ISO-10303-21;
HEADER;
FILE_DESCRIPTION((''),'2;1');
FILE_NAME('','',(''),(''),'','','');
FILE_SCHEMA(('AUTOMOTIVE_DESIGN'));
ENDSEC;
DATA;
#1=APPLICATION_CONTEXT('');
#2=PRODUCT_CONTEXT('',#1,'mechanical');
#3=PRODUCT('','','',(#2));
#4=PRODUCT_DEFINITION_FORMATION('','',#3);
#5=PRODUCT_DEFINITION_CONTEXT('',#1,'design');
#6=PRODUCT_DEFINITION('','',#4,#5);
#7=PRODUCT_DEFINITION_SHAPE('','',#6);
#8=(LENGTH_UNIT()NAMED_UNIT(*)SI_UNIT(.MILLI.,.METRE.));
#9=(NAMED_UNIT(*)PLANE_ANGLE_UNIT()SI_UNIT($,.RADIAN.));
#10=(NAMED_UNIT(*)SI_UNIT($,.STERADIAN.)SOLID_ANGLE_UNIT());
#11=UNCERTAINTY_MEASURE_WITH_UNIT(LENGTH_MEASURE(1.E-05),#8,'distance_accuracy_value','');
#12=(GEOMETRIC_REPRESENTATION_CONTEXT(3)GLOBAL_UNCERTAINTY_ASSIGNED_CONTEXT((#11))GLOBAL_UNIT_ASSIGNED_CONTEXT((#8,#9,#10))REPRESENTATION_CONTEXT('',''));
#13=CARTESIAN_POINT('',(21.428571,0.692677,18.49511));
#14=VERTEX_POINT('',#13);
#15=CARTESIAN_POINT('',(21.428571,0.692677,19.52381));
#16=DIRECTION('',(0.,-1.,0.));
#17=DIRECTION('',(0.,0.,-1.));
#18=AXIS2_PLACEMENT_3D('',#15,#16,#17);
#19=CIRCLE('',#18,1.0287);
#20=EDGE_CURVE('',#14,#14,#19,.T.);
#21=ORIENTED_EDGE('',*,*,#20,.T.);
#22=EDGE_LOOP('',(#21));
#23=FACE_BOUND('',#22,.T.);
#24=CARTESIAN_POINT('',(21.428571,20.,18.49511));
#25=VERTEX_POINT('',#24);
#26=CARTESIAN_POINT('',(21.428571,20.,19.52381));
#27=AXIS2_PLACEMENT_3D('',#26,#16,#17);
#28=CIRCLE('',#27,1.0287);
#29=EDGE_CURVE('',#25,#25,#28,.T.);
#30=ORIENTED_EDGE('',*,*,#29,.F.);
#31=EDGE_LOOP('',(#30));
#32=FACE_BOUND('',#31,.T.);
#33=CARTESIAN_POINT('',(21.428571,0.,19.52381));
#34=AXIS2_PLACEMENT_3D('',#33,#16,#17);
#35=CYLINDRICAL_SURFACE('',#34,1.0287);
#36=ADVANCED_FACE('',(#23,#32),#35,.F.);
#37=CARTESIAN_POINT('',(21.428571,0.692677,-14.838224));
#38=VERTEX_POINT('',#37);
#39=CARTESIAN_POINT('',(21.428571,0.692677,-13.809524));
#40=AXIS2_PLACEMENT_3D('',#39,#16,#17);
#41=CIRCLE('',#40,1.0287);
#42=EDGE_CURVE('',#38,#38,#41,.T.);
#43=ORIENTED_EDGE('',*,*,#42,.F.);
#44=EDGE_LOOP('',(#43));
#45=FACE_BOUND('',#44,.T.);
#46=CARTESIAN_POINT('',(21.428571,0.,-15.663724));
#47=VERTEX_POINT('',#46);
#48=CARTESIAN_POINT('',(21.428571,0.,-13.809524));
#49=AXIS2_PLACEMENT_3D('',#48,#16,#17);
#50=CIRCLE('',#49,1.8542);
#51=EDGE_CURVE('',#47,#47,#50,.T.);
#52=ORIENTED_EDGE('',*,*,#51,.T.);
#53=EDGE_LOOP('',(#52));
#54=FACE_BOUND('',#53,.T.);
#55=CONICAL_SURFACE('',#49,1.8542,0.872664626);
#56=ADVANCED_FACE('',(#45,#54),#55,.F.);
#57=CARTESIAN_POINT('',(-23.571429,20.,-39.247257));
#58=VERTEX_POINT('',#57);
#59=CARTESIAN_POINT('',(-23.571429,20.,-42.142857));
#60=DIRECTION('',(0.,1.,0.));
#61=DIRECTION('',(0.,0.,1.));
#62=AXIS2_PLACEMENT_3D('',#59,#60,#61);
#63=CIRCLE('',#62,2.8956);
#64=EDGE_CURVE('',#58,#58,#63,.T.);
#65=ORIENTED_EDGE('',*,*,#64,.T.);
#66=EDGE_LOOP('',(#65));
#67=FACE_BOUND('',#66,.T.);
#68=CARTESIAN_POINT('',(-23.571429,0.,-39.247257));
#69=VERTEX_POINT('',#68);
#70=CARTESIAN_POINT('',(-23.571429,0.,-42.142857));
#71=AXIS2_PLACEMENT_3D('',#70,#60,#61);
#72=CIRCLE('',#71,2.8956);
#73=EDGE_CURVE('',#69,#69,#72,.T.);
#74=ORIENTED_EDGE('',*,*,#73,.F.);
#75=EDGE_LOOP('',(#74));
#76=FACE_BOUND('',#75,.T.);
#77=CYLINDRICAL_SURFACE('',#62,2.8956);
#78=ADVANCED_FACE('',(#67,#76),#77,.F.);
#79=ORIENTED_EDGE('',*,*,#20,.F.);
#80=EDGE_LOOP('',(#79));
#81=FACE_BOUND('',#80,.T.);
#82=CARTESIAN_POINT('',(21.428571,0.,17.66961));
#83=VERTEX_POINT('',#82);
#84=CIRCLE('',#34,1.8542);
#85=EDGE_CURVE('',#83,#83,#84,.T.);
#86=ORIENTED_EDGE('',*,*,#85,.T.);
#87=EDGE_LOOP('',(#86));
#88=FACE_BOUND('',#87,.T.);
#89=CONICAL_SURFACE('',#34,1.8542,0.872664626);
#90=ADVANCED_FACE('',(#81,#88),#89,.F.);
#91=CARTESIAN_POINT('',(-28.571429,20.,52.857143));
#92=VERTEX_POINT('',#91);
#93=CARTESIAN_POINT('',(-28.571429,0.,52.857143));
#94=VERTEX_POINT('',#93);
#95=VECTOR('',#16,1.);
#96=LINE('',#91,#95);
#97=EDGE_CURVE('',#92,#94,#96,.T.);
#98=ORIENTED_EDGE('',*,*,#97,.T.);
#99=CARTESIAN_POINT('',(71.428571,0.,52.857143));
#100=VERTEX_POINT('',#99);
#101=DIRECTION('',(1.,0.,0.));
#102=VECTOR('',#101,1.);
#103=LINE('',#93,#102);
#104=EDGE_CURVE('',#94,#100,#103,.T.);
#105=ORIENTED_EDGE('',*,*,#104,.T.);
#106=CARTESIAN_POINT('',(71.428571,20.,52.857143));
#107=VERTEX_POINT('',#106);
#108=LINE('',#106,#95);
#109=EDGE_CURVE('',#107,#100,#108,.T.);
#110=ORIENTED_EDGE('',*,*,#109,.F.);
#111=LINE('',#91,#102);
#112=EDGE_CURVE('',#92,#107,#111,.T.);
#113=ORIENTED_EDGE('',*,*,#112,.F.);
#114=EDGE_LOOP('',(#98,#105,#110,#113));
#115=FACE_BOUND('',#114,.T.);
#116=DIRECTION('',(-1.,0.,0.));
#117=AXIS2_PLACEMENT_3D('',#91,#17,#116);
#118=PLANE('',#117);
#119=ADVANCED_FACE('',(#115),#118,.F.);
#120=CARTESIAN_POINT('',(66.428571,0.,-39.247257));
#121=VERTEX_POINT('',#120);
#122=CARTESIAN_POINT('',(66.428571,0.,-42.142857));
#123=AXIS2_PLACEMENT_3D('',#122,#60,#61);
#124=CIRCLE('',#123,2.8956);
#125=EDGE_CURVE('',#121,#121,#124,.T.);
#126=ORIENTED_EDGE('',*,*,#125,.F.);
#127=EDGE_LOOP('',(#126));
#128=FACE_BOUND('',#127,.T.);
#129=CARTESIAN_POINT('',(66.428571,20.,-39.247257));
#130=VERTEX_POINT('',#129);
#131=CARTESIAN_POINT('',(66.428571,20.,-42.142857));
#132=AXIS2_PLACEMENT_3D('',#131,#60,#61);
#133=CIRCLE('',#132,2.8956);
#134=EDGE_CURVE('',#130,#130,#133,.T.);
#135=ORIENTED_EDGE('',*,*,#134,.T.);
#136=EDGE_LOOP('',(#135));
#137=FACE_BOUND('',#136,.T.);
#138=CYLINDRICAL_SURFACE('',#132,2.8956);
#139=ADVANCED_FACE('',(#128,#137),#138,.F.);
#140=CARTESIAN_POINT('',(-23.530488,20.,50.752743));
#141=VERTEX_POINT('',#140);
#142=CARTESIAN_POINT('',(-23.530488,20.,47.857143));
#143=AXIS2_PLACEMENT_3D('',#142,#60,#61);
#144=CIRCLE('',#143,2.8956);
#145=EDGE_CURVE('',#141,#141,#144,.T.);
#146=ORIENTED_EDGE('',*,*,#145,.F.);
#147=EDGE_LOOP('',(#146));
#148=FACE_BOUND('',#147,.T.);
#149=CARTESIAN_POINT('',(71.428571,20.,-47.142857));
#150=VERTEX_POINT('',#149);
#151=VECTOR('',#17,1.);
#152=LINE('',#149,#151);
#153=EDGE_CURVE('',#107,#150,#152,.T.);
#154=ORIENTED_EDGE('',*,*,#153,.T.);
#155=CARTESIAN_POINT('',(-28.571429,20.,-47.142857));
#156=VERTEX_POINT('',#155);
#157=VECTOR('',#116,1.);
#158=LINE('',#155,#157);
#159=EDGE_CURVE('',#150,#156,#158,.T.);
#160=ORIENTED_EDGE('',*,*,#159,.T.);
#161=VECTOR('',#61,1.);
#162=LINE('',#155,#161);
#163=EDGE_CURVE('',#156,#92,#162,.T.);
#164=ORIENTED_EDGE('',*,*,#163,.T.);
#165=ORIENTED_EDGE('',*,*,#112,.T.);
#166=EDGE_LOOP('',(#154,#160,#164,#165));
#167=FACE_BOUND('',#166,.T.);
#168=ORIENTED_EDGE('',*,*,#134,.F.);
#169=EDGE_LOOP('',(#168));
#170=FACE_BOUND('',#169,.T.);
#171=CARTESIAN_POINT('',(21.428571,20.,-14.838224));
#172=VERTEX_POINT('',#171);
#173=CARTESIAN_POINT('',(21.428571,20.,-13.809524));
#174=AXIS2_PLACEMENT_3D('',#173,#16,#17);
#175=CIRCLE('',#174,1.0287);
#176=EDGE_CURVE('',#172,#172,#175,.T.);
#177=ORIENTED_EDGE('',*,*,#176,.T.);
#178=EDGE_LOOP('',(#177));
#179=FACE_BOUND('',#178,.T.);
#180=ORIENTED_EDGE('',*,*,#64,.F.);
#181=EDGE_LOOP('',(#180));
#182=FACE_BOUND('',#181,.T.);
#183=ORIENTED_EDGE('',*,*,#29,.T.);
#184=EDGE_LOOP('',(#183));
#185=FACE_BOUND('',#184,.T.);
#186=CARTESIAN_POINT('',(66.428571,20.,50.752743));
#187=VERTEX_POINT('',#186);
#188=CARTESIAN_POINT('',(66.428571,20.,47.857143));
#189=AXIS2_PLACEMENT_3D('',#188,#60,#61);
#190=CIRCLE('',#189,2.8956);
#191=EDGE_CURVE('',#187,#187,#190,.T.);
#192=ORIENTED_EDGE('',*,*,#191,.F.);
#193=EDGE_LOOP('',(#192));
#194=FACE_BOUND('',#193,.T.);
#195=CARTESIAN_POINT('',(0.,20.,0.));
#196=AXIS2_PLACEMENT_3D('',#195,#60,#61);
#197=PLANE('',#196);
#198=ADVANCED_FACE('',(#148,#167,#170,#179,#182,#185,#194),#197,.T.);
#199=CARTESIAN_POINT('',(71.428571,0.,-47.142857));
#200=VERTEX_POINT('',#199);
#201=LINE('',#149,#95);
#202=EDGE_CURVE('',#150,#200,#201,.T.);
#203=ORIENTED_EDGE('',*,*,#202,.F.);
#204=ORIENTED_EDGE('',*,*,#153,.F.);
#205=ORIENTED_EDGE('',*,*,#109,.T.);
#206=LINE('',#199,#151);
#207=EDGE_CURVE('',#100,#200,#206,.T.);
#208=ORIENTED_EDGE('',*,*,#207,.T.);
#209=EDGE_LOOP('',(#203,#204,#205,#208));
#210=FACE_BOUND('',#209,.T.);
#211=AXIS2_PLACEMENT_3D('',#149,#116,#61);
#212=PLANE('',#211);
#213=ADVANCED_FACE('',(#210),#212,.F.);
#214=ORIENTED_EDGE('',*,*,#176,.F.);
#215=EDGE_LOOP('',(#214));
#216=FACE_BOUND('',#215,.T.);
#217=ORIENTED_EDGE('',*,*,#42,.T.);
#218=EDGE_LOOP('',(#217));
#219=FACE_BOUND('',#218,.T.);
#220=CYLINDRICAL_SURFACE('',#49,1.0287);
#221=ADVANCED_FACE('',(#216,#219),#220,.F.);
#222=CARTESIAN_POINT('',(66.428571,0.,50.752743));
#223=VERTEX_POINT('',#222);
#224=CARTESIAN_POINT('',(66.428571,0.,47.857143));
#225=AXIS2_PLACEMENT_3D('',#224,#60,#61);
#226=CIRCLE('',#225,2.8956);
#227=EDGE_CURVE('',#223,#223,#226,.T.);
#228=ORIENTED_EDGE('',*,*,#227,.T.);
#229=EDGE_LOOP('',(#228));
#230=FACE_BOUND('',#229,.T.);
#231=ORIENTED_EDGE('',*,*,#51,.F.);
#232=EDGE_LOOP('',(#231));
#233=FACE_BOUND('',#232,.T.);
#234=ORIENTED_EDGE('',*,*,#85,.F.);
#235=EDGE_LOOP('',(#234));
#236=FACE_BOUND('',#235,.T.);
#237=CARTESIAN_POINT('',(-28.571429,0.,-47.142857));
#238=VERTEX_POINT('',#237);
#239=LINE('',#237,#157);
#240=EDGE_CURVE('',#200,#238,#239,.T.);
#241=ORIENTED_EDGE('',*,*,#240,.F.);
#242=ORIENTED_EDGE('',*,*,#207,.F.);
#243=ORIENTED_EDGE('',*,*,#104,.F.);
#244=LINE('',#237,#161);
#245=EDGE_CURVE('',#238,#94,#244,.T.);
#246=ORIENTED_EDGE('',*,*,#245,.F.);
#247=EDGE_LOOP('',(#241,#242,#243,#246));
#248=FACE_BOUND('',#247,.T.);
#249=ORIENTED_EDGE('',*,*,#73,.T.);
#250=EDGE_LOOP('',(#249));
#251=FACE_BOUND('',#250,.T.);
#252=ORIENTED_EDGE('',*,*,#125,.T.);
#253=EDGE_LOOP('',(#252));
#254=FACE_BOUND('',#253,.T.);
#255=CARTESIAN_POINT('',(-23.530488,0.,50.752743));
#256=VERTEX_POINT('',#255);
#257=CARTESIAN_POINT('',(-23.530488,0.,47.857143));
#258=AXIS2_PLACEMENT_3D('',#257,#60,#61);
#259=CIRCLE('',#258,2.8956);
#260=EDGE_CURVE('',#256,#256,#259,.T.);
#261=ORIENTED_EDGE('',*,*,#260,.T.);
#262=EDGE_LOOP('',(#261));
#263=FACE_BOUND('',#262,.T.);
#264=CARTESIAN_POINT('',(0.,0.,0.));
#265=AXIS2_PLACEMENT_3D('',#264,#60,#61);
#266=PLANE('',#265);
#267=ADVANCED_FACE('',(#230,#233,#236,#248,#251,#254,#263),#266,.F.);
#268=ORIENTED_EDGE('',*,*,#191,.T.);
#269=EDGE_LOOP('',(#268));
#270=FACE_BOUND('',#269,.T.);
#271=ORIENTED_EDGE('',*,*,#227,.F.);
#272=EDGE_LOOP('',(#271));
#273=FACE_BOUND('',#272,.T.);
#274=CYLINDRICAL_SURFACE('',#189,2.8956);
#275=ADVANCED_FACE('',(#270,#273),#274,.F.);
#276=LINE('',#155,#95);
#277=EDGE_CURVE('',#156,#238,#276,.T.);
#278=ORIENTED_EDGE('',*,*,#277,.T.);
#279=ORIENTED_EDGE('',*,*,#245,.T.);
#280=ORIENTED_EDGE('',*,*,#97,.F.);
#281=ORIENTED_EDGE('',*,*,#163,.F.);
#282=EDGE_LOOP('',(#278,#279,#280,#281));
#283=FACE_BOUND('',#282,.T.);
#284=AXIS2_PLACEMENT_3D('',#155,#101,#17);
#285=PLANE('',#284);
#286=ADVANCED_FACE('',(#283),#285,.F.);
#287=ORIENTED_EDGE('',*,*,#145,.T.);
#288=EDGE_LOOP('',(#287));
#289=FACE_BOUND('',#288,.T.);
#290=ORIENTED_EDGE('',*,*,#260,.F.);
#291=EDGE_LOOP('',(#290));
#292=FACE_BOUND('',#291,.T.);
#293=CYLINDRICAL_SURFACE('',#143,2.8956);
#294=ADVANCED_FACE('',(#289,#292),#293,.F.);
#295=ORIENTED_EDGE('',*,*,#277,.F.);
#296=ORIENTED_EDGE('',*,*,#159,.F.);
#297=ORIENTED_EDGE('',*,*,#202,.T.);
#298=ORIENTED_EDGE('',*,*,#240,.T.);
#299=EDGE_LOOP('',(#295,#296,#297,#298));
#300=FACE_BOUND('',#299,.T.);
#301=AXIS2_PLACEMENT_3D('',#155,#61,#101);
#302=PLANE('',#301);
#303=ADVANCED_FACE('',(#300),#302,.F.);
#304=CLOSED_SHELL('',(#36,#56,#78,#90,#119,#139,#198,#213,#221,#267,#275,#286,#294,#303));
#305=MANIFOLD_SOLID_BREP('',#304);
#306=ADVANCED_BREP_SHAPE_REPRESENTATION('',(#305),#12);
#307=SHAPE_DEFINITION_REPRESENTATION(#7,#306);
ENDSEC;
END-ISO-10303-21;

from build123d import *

# Parameters (mm, degrees)
SKETCH1_W                                         = 100
SKETCH1_H                                         = 100
BOSS_EXTRUDE1_DEPTH                               = 20
CSK_FOR_1_FLAT_HEAD_MACHINE_SCREW_100_D           = 2.0574
CSK_FOR_1_FLAT_HEAD_MACHINE_SCREW_100_CSINK_D     = 3.7084
CSK_FOR_1_FLAT_HEAD_MACHINE_SCREW_100_CSINK_ANGLE = 100
F_1_0_228_DIAMETER_HOLE1_D                        = 5.7912


with BuildPart() as part:
    # Sketch1 → Boss-Extrude1 (new body)
    with BuildSketch(Plane(origin=(0, 0, 0), x_dir=(1, 0, 0), z_dir=(0, 1, 0))):
        with Locations((21.428571429, -2.857142857)):
            Rectangle(SKETCH1_W, SKETCH1_H)
    extrude(amount=BOSS_EXTRUDE1_DEPTH)

    # CSK for #1 Flat Head Machine Screw (100)1 (through all)
    with Locations(Plane(origin=(21.428571429, 0, -13.80952381), x_dir=(0, 0, -1), z_dir=(0, -1, 0))):
        with Locations((0, 0), (-33.333333334, 0)):
            CounterSinkHole(CSK_FOR_1_FLAT_HEAD_MACHINE_SCREW_100_D / 2, CSK_FOR_1_FLAT_HEAD_MACHINE_SCREW_100_CSINK_D / 2, counter_sink_angle=CSK_FOR_1_FLAT_HEAD_MACHINE_SCREW_100_CSINK_ANGLE)

    # #1 (0.228) Diameter Hole1 (through all)
    with Locations(Plane(origin=(-23.530488072, 20, 47.857142857), x_dir=(0, 0, 1), z_dir=(0, 1, 0))):
        with Locations((0, 0), (0, 89.959059501), (-90, 89.959059501), (-90, -0.040940499)):
            Hole(F_1_0_228_DIAMETER_HOLE1_D / 2)


solid = part.part
